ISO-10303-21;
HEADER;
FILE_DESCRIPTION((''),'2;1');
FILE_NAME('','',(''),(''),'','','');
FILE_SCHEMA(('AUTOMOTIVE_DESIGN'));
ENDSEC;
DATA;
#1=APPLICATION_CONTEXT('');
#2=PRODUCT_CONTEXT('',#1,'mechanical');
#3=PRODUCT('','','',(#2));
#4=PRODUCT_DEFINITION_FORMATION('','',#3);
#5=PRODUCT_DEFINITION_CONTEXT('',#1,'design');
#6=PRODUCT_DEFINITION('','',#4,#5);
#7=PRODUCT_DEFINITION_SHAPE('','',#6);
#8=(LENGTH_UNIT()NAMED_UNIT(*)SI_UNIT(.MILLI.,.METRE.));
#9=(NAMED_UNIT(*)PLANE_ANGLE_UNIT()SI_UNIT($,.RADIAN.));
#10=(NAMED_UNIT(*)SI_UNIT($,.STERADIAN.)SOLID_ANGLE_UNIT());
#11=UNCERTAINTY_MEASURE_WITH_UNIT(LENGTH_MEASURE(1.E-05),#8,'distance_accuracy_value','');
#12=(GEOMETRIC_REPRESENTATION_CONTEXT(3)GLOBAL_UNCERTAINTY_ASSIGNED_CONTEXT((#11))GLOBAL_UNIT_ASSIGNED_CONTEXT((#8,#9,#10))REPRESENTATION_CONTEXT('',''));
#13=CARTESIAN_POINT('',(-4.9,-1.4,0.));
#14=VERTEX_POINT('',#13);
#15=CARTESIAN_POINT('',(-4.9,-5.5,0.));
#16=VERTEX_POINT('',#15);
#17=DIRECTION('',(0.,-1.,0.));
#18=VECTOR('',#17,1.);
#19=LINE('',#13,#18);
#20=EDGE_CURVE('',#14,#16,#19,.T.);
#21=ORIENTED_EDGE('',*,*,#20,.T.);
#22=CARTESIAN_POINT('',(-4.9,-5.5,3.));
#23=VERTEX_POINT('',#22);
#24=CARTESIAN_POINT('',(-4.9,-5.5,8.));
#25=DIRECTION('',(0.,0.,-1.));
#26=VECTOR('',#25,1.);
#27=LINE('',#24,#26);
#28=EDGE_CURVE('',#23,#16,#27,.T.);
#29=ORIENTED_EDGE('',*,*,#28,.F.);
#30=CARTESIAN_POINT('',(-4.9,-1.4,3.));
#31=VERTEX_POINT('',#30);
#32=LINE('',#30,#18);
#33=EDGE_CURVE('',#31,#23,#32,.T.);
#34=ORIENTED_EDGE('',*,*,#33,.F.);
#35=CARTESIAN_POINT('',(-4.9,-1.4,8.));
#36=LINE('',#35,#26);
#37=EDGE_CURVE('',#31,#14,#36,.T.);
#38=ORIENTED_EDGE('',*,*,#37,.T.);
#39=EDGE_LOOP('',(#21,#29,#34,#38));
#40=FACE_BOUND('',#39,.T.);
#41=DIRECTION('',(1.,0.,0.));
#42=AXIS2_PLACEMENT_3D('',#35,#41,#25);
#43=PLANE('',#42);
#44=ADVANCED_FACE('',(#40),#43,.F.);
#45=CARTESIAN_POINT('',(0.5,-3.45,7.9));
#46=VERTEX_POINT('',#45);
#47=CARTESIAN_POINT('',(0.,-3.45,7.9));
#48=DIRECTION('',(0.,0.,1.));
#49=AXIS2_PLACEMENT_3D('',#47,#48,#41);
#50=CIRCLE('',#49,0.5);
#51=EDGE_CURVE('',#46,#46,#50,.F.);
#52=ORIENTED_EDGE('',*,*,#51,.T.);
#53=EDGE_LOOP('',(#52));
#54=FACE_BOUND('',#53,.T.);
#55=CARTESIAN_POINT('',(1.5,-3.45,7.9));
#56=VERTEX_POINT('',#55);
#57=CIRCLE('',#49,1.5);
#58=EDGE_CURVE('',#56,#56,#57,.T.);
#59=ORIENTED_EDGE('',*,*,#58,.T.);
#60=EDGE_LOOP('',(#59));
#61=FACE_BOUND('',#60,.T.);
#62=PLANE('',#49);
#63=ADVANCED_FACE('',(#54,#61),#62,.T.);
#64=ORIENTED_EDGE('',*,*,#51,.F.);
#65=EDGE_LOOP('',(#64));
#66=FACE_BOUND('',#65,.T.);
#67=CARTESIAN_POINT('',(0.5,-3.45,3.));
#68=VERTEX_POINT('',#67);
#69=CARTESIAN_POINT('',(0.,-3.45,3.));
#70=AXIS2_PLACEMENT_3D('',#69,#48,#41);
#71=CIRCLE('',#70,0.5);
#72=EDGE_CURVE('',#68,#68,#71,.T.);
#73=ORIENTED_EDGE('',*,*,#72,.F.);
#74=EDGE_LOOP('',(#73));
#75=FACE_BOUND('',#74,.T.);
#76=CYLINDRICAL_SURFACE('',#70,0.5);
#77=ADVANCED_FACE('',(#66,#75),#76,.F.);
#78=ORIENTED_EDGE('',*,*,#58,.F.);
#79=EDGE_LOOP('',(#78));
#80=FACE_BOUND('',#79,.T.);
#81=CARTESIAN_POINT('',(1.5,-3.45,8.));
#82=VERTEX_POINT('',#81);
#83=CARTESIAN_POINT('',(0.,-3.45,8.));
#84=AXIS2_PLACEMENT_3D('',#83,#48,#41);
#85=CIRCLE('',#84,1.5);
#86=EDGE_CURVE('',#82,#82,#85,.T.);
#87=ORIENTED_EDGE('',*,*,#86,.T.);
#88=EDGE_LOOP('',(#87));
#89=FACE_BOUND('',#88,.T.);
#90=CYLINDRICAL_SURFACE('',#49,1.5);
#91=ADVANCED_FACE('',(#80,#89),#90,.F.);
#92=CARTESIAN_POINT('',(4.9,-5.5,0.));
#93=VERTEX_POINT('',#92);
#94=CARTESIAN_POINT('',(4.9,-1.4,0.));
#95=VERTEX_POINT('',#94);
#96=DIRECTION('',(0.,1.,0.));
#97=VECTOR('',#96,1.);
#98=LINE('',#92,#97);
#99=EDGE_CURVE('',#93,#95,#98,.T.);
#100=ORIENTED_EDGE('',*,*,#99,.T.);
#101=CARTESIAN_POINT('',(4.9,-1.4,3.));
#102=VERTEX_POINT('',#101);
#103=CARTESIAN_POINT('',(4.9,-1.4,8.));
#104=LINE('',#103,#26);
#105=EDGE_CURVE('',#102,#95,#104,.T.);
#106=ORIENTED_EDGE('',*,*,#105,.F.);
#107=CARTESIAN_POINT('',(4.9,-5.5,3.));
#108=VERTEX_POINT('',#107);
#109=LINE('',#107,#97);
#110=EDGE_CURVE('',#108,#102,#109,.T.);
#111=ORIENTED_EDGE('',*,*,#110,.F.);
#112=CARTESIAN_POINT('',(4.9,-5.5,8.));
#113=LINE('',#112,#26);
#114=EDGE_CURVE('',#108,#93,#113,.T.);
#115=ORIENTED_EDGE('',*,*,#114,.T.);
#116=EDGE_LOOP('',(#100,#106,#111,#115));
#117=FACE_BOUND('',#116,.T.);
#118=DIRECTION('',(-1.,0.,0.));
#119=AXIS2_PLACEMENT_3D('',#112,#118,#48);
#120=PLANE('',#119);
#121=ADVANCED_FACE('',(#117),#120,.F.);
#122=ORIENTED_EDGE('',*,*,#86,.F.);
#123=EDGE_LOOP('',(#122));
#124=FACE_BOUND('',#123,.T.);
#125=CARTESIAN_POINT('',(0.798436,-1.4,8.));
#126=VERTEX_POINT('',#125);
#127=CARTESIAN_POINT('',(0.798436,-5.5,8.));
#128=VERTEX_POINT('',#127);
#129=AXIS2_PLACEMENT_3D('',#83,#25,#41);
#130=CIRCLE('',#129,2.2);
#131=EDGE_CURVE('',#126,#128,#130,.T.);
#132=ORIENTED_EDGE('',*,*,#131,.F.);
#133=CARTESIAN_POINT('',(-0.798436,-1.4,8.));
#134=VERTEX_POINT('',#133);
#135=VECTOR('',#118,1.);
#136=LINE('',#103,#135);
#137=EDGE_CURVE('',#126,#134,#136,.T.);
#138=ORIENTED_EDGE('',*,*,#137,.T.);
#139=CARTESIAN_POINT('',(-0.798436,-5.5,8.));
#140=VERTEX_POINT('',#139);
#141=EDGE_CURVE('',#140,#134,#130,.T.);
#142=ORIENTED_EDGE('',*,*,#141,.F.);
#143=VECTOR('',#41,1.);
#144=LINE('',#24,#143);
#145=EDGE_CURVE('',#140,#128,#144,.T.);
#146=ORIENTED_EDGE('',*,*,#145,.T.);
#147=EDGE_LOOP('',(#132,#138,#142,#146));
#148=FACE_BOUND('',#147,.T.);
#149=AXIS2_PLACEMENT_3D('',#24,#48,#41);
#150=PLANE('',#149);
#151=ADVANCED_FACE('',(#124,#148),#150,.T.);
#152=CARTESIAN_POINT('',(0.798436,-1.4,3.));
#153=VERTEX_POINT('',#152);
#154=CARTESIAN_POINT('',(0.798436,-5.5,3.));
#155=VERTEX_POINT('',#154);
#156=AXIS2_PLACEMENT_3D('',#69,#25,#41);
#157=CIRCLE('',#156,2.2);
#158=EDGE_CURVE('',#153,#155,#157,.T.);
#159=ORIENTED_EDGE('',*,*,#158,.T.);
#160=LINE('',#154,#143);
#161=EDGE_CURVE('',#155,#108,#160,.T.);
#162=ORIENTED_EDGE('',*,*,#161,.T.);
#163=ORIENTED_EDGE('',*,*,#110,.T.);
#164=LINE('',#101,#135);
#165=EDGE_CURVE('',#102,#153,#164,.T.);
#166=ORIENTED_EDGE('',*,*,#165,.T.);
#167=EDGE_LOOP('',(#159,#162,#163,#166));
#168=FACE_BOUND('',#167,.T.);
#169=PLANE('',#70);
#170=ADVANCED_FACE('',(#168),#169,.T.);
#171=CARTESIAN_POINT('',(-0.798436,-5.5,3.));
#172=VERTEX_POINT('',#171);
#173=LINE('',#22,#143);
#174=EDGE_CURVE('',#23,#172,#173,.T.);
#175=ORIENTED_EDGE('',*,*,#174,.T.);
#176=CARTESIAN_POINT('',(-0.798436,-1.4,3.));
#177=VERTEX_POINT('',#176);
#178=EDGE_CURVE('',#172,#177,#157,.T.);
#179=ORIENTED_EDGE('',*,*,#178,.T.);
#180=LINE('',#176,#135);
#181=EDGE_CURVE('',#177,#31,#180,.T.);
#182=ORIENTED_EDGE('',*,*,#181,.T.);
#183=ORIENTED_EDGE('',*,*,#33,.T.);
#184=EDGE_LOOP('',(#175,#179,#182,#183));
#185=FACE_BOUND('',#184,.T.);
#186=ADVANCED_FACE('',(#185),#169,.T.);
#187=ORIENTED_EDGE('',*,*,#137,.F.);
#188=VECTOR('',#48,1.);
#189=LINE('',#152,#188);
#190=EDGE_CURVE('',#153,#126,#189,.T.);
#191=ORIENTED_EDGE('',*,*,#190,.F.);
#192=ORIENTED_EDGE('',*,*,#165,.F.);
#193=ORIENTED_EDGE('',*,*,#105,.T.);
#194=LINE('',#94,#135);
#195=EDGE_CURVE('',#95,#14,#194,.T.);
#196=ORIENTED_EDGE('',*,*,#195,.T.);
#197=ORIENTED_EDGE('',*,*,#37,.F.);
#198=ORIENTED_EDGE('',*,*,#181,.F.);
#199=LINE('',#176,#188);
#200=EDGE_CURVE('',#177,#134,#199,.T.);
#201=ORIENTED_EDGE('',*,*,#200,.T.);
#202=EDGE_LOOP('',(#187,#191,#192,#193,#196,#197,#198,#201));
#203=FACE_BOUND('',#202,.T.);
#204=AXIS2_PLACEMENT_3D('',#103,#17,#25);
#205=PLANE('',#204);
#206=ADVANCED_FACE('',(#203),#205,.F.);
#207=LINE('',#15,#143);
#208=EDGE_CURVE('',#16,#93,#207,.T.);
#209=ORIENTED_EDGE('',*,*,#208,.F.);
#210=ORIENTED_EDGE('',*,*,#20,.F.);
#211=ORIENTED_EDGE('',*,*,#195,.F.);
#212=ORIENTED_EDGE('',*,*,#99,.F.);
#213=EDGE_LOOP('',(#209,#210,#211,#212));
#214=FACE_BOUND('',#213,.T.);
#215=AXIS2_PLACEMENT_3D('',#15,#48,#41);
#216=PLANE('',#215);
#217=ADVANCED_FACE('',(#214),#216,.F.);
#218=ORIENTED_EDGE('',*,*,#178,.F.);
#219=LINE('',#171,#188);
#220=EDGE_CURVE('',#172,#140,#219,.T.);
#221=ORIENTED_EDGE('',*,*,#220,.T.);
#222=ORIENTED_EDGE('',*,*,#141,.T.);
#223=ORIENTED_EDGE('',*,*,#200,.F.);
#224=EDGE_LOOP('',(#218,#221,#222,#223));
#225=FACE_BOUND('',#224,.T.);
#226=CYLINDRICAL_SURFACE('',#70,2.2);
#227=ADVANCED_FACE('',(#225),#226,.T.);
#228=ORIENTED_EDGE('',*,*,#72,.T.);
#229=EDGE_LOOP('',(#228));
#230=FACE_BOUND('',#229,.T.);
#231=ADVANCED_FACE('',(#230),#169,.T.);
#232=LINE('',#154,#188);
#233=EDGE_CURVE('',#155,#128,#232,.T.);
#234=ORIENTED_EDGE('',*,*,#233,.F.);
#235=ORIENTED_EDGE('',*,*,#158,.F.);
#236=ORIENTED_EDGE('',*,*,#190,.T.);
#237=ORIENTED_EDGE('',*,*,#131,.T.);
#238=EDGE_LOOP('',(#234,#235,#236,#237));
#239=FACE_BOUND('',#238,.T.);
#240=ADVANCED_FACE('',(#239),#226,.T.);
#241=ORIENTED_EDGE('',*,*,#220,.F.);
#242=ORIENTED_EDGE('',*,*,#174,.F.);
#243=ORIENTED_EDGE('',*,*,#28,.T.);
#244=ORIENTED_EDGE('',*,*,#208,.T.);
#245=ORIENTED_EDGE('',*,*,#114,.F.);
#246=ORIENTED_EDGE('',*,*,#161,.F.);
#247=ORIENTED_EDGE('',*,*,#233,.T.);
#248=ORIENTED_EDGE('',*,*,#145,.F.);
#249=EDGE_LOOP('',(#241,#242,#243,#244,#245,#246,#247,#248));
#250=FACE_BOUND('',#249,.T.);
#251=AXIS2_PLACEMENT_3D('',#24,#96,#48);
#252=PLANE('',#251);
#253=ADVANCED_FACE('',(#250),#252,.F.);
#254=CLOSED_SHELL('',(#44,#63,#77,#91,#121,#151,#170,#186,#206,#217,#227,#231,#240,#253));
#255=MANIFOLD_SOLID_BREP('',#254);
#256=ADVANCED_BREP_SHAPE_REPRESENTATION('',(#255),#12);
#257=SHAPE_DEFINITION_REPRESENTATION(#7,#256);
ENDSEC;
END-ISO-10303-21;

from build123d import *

# Parameters (mm, degrees)
COMPONENT_OUTLINE_W = 9.8
COMPONENT_OUTLINE_H = 4.1
EXTRUDE1_DEPTH      = 8
CUT_EXTRUDE1_DEPTH  = 5
SKETCH3_R           = 0.5
CUT_EXTRUDE2_DEPTH  = 5
SKETCH4_R           = 1.5
CUT_EXTRUDE3_DEPTH  = 0.1


with BuildPart() as part:
    # COMPONENT_OUTLINE → Extrude1 (new body)
    with BuildSketch(Plane.XY):
        with Locations((0, -3.45)):
            Rectangle(COMPONENT_OUTLINE_W, COMPONENT_OUTLINE_H)
    extrude(amount=EXTRUDE1_DEPTH)

    # Sketch1 → Cut-Extrude1 (cut)
    with BuildSketch(Plane.XY.offset(8)):
        with BuildLine():
            Line((0.798435971, -5.5), (4.9, -5.5))
            Line((4.9, -5.5), (4.9, -1.4))
            Line((4.9, -1.4), (0.798435971, -1.4))
            ThreePointArc((0.798435971, -1.4), (2.2, -3.45), (0.798435971, -5.5))
        make_face()
        with BuildLine():
            Line((-0.798435971, -1.4), (-4.9, -1.4))
            Line((-4.9, -1.4), (-4.9, -5.5))
            Line((-4.9, -5.5), (-0.798435971, -5.5))
            ThreePointArc((-0.798435971, -5.5), (-2.2, -3.45), (-0.798435971, -1.4))
        make_face()
    extrude(amount=-CUT_EXTRUDE1_DEPTH, mode=Mode.SUBTRACT)

    # Sketch3 → Cut-Extrude2 (cut)
    with BuildSketch(Plane.XY.offset(8)):
        with Locations((0, -3.45)):
            Circle(SKETCH3_R)
    extrude(amount=-CUT_EXTRUDE2_DEPTH, mode=Mode.SUBTRACT)

    # Sketch4 → Cut-Extrude3 (cut)
    with BuildSketch(Plane.XY.offset(8)):
        with Locations((0, -3.45)):
            Circle(SKETCH4_R)
    extrude(amount=-CUT_EXTRUDE3_DEPTH, mode=Mode.SUBTRACT)


solid = part.part
